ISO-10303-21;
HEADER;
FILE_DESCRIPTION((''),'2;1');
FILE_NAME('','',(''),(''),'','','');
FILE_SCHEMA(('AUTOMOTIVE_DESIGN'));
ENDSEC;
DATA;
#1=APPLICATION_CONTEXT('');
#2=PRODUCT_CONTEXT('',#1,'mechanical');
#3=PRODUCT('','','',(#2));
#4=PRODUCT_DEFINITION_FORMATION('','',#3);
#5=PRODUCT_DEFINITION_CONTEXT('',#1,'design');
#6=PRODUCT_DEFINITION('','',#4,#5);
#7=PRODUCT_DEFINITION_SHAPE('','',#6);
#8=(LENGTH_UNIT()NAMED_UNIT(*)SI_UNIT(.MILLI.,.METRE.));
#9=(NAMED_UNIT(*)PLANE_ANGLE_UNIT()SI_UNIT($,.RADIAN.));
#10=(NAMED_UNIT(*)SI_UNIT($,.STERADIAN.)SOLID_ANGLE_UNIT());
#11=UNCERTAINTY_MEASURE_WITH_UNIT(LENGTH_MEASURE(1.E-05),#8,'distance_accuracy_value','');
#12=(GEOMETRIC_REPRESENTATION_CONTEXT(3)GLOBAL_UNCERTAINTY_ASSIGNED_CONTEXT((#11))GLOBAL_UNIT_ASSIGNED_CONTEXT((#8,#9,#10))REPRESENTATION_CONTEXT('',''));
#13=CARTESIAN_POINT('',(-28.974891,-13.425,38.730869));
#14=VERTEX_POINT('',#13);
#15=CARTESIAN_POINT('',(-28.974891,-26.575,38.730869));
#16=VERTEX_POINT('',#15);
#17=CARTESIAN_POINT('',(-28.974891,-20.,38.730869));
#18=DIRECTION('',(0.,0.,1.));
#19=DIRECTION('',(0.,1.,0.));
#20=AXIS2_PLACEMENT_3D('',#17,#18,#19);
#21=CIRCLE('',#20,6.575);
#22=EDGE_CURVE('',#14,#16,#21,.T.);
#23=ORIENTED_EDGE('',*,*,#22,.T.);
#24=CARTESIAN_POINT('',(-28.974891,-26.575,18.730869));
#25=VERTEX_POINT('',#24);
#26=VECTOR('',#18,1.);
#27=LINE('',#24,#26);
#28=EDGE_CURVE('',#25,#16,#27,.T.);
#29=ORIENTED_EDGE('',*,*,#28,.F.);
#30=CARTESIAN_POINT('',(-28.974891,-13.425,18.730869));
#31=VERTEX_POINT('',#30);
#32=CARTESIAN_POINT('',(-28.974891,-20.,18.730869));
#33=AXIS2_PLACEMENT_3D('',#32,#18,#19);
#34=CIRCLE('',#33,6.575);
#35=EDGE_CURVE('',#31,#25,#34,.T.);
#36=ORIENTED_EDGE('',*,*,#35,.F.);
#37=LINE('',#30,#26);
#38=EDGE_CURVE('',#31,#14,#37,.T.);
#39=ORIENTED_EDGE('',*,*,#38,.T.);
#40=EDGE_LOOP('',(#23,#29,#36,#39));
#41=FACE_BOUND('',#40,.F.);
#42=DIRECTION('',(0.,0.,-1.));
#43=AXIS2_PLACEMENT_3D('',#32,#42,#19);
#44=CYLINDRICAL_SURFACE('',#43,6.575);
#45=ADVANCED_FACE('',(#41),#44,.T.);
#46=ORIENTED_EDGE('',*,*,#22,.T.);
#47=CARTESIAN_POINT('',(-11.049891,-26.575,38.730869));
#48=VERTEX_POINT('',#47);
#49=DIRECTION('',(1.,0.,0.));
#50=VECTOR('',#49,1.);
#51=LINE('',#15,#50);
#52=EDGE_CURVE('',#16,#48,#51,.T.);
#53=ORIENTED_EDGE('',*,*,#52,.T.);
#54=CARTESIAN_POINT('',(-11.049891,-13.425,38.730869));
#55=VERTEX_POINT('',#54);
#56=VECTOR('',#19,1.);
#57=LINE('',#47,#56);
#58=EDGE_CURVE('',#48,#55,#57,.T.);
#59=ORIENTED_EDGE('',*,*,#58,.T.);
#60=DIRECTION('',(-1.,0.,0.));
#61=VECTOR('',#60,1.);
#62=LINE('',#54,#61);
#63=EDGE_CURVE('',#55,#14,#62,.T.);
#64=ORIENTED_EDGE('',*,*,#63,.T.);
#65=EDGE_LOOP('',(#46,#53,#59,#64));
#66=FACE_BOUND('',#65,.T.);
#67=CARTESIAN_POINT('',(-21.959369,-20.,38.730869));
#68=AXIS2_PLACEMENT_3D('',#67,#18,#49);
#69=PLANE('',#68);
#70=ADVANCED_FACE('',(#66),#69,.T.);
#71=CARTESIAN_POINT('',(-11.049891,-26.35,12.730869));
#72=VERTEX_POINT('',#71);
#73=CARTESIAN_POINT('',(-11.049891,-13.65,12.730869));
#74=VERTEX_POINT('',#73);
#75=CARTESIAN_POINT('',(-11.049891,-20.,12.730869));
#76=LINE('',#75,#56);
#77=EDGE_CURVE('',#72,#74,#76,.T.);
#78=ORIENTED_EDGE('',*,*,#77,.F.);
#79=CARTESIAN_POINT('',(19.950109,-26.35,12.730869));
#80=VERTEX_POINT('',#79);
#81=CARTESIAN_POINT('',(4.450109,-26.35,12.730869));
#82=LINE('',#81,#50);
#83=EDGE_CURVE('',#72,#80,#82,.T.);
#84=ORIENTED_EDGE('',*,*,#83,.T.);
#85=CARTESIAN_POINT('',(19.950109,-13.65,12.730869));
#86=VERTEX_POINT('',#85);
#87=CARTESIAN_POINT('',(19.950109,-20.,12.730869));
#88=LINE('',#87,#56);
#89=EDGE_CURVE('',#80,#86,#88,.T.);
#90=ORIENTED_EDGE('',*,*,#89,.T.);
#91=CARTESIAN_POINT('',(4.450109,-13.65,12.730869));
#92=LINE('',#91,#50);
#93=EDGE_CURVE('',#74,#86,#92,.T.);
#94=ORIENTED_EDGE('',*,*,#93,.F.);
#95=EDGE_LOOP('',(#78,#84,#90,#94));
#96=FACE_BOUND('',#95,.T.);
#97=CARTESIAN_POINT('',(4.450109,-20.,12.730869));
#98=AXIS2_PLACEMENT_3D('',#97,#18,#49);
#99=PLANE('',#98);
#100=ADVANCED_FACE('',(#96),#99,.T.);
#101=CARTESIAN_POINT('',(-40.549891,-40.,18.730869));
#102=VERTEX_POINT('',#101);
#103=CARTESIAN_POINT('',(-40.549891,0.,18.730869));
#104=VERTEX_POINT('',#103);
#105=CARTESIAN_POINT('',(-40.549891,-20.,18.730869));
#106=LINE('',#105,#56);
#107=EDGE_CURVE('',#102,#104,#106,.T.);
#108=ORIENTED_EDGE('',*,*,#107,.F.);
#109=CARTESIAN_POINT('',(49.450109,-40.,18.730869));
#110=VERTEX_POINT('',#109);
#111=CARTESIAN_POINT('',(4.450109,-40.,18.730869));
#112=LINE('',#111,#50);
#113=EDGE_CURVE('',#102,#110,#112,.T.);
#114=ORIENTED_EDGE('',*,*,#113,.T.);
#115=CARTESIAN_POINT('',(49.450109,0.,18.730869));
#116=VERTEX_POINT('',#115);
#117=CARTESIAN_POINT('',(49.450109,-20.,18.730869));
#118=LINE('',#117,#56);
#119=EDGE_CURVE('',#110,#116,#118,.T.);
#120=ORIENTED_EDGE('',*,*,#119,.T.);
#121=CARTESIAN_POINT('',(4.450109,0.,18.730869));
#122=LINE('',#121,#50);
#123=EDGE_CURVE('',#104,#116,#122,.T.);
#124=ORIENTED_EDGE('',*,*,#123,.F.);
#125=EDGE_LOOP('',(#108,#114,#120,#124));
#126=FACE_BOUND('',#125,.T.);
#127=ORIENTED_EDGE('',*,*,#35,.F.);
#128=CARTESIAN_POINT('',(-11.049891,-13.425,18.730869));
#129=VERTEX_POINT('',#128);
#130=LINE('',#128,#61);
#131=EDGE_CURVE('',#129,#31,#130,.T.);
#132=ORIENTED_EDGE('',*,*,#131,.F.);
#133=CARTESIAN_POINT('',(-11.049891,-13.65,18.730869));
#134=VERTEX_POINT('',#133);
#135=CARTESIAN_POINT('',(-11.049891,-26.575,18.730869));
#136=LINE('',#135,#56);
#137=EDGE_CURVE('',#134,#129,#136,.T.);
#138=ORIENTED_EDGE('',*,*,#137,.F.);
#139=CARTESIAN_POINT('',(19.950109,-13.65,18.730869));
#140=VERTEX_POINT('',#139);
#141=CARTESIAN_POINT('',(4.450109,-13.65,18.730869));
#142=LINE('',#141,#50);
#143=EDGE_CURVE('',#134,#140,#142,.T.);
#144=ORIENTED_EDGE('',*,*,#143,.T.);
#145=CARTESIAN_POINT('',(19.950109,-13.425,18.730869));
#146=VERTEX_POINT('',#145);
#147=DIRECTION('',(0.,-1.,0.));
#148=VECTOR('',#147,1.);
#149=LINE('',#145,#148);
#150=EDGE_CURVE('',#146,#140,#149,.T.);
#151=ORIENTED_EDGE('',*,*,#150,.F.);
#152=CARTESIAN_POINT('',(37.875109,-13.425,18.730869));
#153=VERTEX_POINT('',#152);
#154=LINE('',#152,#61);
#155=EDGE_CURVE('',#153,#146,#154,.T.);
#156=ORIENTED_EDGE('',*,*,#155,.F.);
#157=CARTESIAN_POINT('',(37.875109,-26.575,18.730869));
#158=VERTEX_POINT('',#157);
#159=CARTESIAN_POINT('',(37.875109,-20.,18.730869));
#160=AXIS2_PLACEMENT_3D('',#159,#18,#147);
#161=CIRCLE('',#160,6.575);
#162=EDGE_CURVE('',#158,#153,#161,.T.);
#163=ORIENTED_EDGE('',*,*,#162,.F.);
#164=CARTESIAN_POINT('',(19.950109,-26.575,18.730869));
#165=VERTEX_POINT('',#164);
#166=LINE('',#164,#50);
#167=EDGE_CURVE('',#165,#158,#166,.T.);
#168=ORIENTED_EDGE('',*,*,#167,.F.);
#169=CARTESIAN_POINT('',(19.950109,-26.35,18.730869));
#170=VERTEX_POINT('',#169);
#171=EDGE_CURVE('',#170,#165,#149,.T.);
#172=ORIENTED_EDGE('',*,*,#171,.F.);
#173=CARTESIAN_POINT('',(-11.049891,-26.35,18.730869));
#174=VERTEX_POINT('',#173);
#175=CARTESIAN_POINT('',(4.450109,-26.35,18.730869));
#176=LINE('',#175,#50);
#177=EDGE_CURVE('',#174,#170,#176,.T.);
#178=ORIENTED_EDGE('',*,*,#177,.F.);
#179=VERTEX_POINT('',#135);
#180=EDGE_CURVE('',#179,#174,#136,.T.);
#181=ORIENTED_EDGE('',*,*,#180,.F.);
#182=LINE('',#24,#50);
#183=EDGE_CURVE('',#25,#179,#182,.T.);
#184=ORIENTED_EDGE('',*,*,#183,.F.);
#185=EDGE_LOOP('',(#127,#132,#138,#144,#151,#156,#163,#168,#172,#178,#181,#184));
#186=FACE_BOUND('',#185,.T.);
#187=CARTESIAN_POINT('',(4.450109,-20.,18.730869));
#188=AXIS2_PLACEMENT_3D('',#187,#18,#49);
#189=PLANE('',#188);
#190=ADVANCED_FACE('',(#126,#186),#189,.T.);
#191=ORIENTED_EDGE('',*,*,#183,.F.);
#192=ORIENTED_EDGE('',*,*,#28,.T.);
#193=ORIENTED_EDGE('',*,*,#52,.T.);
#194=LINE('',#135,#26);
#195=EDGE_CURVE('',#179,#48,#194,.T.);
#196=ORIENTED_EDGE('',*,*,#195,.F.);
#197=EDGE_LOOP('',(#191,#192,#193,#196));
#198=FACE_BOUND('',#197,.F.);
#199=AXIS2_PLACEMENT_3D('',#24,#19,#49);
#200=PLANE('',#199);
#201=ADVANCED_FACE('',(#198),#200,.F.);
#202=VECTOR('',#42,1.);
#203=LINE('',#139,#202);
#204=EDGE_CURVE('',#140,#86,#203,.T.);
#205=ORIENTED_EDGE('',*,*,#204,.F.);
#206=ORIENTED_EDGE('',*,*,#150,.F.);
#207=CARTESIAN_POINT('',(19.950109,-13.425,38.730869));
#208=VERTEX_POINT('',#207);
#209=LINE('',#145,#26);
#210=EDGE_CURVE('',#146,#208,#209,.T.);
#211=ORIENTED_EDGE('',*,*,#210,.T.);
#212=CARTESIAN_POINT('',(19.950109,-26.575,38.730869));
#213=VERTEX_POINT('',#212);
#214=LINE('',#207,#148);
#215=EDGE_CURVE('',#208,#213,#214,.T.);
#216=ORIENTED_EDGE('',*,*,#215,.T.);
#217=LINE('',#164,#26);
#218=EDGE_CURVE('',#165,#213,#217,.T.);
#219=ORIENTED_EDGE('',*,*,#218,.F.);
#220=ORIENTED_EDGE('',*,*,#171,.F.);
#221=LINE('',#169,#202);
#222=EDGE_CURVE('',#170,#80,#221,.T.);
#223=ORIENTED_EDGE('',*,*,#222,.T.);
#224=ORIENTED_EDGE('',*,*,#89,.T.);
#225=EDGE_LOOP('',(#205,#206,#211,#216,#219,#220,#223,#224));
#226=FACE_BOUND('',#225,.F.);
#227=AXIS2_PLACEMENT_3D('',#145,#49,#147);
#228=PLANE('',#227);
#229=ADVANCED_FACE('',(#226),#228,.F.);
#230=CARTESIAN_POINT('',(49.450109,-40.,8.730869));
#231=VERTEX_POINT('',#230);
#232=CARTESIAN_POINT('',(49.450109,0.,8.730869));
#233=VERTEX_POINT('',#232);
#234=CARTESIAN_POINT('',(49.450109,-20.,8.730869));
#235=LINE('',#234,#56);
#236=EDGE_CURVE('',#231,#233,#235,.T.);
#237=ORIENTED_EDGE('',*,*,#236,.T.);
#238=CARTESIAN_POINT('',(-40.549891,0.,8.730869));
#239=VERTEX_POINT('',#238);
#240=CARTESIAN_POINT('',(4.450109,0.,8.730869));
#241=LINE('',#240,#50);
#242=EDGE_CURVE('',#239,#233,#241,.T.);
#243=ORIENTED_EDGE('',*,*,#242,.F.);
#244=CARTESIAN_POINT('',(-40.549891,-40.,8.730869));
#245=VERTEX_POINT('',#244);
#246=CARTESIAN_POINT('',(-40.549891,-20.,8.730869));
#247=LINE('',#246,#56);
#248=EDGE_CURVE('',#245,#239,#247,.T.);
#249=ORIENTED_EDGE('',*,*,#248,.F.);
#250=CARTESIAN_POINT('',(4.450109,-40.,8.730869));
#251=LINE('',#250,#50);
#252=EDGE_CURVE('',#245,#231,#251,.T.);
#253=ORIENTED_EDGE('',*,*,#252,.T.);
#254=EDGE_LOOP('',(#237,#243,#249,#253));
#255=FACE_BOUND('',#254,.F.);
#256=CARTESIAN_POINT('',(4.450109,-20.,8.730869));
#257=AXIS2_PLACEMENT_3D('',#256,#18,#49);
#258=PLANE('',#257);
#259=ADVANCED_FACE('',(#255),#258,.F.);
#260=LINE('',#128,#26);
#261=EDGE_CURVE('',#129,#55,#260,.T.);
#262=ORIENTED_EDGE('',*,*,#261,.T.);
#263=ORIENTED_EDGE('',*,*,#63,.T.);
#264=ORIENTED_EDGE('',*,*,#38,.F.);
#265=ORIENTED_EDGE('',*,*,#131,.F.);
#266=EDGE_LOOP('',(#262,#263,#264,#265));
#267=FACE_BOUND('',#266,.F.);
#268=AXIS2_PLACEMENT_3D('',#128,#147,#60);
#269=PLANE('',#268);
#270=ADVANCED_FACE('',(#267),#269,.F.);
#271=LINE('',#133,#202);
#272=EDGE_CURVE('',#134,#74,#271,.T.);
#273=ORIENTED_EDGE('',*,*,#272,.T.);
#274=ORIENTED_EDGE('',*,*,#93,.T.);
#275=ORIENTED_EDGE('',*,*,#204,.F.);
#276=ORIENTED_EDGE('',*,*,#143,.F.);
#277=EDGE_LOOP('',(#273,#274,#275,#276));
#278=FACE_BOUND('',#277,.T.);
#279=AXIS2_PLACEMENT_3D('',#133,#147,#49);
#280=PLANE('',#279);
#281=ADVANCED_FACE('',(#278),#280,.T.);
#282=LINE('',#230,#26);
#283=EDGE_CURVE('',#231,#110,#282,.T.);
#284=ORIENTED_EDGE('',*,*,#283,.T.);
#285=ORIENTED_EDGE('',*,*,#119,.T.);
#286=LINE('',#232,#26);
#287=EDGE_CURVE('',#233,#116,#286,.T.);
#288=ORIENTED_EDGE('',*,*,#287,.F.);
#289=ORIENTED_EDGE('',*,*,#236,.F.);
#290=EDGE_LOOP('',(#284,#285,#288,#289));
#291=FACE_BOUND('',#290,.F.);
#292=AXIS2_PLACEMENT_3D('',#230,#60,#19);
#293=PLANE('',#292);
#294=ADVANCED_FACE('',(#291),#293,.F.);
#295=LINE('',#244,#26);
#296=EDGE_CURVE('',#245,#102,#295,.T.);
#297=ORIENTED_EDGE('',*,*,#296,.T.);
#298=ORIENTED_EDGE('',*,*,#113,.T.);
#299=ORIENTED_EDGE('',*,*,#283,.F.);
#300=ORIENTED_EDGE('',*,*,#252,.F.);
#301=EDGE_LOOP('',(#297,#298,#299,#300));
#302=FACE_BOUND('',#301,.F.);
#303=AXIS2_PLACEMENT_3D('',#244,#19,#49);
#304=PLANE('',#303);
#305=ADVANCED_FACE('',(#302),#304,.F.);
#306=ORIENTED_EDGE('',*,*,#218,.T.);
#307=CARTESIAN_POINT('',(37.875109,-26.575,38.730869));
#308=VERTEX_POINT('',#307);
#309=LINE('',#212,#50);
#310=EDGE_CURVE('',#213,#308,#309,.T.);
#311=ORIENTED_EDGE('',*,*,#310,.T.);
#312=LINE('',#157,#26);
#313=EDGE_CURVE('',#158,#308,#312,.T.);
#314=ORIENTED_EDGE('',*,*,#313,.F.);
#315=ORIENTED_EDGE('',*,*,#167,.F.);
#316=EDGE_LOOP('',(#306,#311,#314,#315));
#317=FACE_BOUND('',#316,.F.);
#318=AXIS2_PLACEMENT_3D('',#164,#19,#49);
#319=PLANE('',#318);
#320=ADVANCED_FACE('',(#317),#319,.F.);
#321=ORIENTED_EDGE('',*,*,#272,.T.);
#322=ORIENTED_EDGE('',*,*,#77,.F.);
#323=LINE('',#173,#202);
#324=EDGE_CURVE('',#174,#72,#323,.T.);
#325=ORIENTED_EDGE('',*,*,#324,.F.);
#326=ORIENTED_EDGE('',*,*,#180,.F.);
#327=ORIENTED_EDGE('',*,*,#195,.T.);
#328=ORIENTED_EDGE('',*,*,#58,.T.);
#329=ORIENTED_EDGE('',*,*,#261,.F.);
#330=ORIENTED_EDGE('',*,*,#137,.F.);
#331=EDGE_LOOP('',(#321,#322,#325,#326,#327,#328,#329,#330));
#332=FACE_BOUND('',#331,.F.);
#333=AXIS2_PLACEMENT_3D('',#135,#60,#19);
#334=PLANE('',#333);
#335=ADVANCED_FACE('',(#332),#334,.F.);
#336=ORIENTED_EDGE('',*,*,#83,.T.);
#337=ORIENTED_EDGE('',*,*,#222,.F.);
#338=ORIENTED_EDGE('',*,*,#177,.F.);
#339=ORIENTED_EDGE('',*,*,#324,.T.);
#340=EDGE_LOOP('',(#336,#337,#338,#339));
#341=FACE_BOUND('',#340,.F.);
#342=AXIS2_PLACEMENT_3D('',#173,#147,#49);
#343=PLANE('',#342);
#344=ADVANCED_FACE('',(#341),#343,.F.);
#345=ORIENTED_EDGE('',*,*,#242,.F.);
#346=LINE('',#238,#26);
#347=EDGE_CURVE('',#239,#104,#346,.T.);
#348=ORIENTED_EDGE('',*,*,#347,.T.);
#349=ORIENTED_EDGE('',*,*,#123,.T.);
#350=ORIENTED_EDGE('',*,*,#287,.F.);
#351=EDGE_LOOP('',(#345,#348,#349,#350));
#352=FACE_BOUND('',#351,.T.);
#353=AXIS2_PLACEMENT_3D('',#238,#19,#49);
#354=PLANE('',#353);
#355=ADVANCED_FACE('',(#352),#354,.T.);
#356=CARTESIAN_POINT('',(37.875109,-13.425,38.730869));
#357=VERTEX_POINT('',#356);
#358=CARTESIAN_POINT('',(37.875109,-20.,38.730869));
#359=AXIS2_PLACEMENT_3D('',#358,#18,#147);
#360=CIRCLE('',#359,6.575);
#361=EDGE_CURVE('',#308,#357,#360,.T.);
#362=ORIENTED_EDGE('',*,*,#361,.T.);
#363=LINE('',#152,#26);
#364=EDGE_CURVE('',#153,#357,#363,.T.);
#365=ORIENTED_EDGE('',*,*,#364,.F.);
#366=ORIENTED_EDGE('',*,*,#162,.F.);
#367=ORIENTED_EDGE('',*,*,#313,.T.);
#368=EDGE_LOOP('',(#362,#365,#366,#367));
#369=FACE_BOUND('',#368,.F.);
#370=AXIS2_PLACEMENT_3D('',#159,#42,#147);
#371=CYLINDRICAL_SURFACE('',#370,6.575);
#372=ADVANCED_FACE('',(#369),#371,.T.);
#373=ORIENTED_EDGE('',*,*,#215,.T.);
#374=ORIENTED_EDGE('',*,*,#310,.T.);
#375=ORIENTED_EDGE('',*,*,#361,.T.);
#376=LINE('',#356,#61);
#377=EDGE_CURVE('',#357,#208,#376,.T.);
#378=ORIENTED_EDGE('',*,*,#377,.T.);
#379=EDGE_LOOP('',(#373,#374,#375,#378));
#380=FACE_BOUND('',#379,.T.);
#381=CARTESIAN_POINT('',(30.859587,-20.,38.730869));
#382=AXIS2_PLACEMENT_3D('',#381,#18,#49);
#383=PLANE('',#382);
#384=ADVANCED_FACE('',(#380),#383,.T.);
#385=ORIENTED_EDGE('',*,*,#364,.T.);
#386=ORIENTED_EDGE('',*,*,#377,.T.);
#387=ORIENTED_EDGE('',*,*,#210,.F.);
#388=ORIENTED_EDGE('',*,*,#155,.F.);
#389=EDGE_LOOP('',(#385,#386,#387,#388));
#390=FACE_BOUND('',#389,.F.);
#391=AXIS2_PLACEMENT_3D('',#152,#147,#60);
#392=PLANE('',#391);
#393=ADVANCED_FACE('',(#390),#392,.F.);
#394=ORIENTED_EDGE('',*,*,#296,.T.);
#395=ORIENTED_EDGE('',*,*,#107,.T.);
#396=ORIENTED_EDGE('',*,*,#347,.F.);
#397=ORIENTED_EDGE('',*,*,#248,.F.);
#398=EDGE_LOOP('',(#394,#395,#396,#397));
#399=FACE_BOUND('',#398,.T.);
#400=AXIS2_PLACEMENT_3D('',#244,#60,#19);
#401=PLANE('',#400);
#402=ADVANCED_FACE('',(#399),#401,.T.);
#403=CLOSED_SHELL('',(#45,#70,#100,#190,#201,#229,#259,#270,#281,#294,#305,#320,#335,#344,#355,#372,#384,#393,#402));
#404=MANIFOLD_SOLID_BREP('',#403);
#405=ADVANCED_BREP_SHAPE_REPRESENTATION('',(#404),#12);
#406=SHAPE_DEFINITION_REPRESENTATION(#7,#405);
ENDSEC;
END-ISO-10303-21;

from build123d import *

# Parameters (mm, degrees)
F0_W     = 90
F0_H     = 40
F1_DEPTH = 10
F2_W     = 31
F2_H     = 12.7
F3_DEPTH = 6
F5_DEPTH = 20
F6_ANGLE = 270


with BuildPart() as f1:
    # F0 (on Front) → F1 (new body)
    with BuildSketch(Plane.XZ):
        with Locations((4.450109, -11.269131)):
            Rectangle(F0_W, F0_H)
    extrude(amount=F1_DEPTH)

    # F2 (on face) → F3 (cut)
    with BuildSketch(Plane.XZ.offset(10)):
        with Locations((4.450109, -11.269131)):
            Rectangle(F2_W, F2_H)
    extrude(amount=-F3_DEPTH, mode=Mode.SUBTRACT)

    # F4 (on face) → F5 (join)
    with BuildSketch(Plane.XZ.offset(10)):
        with BuildLine():
            ThreePointArc((37.875109, -17.844131), (44.450109, -11.269131), (37.875109, -4.694131))
            Line((37.875109, -4.694131), (19.950109, -4.694131))
            Line((19.950109, -4.694131), (19.950109, -17.844131))
            Line((19.950109, -17.844131), (37.875109, -17.844131))
        make_face()
        with BuildLine():
            Line((-28.974891, -17.844131), (-11.049891, -17.844131))
            Line((-11.049891, -17.844131), (-11.049891, -4.694131))
            Line((-11.049891, -4.694131), (-28.974891, -4.694131))
            ThreePointArc((-28.974891, -4.694131), (-35.549891, -11.269131), (-28.974891, -17.844131))
        make_face()
    extrude(amount=F5_DEPTH)


with BuildPart() as f1_1:
    # F6: moved
    add(f1.part.rotate(Axis((4.450109, 0, 8.730869), (1, 0, 0)), F6_ANGLE))


solid = f1_1.part
